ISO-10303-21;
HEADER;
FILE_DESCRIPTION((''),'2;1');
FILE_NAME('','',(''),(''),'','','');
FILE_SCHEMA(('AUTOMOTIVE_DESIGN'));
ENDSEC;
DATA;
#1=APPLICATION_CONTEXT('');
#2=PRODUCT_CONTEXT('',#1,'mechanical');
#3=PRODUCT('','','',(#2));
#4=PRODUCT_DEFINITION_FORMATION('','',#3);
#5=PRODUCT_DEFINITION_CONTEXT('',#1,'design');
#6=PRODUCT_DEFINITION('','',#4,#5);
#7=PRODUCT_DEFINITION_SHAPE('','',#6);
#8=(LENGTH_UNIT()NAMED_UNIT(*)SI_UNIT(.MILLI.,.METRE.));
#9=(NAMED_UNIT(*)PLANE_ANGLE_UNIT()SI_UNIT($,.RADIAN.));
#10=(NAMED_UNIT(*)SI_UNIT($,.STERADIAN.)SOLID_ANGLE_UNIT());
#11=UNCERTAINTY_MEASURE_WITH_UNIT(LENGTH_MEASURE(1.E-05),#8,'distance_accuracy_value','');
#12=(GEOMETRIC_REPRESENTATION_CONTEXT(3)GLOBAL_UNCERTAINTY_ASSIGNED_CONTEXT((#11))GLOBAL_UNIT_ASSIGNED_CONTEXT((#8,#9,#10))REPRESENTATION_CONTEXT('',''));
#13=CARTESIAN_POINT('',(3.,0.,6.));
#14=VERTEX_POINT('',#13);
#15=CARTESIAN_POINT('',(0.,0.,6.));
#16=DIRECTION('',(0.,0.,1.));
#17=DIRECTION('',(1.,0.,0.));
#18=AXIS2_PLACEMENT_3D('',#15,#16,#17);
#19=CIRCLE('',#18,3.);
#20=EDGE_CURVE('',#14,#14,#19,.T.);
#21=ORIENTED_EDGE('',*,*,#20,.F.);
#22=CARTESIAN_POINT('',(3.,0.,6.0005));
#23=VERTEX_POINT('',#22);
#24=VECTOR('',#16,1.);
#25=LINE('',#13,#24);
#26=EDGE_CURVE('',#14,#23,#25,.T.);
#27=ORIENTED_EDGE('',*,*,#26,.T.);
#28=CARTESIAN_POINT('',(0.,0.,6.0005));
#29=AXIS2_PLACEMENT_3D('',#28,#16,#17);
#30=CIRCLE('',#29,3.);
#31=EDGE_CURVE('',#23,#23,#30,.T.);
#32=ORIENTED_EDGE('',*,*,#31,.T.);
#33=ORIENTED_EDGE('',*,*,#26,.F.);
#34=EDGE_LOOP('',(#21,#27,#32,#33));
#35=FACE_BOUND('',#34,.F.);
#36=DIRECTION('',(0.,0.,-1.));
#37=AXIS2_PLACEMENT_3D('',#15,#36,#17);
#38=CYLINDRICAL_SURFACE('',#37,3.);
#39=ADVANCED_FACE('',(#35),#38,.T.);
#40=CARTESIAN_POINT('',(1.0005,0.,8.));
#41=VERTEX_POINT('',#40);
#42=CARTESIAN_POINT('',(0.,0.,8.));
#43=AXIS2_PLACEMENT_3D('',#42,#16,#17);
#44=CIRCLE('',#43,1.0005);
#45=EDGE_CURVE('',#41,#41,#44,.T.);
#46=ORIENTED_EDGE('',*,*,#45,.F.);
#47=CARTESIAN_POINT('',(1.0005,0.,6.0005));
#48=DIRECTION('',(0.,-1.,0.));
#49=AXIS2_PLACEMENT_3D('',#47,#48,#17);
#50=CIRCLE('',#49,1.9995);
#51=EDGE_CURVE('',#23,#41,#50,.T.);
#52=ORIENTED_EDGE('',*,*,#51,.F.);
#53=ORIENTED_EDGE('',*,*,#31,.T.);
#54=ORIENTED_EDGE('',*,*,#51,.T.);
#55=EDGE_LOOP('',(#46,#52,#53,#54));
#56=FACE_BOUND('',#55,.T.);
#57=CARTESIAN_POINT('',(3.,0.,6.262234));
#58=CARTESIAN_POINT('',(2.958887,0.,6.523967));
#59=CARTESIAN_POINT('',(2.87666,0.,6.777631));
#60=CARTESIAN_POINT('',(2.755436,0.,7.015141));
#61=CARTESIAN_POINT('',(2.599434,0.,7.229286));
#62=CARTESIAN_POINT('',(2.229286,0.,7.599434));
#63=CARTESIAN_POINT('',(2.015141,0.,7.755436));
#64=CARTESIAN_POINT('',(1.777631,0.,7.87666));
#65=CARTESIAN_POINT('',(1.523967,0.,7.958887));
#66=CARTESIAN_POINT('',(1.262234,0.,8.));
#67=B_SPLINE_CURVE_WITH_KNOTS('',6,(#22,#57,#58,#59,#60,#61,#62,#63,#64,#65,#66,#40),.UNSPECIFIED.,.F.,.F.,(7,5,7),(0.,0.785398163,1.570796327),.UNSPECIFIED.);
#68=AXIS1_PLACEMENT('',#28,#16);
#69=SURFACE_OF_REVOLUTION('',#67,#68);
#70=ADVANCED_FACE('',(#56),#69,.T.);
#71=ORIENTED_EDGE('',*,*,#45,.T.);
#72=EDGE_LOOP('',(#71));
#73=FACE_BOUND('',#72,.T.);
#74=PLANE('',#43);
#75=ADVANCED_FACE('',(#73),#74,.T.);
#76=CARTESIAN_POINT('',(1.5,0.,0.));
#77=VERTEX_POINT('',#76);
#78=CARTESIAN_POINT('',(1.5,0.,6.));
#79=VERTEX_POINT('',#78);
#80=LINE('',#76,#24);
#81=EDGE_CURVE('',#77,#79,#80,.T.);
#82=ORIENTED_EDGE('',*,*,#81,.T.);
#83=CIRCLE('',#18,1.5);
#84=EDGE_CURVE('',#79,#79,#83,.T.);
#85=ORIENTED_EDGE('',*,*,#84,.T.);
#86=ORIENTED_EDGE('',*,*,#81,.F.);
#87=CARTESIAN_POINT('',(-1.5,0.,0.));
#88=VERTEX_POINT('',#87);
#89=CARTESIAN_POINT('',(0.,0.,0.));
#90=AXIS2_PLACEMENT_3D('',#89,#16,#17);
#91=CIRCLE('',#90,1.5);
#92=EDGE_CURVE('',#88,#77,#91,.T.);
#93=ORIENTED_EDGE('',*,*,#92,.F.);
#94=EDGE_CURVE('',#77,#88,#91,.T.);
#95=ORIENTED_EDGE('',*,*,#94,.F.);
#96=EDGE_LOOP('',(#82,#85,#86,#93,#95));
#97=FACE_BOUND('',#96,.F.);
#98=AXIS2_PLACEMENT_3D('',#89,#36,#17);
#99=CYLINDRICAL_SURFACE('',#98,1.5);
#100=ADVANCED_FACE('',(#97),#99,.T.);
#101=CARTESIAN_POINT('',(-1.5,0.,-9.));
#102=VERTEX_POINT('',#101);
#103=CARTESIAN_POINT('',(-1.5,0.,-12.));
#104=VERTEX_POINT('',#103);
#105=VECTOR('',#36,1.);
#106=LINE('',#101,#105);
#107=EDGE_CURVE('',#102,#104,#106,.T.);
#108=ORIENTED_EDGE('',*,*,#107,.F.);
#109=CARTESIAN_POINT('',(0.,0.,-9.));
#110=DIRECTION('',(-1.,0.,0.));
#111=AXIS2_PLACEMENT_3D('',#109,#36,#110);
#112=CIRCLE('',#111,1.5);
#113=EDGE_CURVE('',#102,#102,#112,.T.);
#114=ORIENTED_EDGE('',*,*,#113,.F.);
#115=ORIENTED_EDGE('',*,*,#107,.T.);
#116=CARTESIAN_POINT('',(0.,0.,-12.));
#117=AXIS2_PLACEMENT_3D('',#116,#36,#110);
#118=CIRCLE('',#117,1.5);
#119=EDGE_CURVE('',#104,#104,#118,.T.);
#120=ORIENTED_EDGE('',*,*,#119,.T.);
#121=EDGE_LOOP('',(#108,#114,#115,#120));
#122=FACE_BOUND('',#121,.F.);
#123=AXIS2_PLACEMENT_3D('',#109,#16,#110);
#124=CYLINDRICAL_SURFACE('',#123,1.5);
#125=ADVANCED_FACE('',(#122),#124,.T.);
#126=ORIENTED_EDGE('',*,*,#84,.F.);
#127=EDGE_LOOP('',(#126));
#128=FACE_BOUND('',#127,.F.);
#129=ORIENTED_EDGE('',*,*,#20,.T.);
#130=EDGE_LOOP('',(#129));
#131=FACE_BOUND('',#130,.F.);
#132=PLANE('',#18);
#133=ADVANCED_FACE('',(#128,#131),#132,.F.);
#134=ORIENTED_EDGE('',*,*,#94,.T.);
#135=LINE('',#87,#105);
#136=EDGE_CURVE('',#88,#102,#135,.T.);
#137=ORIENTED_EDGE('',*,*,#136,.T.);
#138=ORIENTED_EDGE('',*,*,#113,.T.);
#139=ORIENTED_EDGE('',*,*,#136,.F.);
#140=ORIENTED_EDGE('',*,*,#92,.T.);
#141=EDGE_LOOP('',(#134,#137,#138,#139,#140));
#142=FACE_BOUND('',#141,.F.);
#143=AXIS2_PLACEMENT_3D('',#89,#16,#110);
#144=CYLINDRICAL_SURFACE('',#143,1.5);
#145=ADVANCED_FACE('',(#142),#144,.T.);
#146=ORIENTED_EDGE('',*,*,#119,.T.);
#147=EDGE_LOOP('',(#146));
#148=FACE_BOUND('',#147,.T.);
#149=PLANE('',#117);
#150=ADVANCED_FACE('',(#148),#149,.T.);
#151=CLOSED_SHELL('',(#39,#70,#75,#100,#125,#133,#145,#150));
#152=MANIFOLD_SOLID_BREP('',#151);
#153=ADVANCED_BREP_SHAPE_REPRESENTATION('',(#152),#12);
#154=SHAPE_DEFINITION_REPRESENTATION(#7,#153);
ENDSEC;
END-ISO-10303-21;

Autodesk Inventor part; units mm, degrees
ref_plane "YZ Plane" through (0, 0, 0) normal (1, 0, 0) x (0, 1, 0)
ref_plane "XZ Plane" through (0, 0, 0) normal (0, 1, 0) x (-1, 0, 0)
ref_plane "XY Plane" through (0, 0, 0) normal (0, 0, 1) x (1, 0, 0)
sketch "スケッチ1" plane through (0, 0, 0) normal (0, 0, 1) x (1, 0, 0)
  circle A0 centre (0, 0) radius 1.5
  dimension "d0" = 3
extrude "押し出し1" add sketch "スケッチ1" along normal blind 6
sketch "スケッチ2" plane through (0, 0, 6) normal (0, 0, 1) x (1, 0, 0)
  circle A0 centre (0, 0) radius 1.5 projected
  circle A1 centre (0, 0) radius 3
  dimension "d3" = 6
extrude "押し出し2" add sketch "スケッチ2" along normal blind 2 contours A0 | A1
fillet "フィレット1" radius 2 1 edges at (-3, 0, 8)
thread "ねじ1" size "M3x0.5" class "6g" standard "ANSI Metric M Profile" full length
sketch "スケッチ3" plane through (0, 0, 0) normal (0, 0, -1) x (-1, 0, 0)
  circle A0 centre (0, 0) radius 1.5 projected
extrude "押し出し3" add sketch "スケッチ3" along normal blind 9
sketch "スケッチ4" plane through (0, 0, -9) normal (0, 0, -1) x (-1, 0, 0)
  circle A0 centre (0, 0) radius 1.5 projected
extrude "押し出し4" add sketch "スケッチ4" along normal blind 3
properties part number "SB　18mmなべネジ" material "Steel, Mild"
